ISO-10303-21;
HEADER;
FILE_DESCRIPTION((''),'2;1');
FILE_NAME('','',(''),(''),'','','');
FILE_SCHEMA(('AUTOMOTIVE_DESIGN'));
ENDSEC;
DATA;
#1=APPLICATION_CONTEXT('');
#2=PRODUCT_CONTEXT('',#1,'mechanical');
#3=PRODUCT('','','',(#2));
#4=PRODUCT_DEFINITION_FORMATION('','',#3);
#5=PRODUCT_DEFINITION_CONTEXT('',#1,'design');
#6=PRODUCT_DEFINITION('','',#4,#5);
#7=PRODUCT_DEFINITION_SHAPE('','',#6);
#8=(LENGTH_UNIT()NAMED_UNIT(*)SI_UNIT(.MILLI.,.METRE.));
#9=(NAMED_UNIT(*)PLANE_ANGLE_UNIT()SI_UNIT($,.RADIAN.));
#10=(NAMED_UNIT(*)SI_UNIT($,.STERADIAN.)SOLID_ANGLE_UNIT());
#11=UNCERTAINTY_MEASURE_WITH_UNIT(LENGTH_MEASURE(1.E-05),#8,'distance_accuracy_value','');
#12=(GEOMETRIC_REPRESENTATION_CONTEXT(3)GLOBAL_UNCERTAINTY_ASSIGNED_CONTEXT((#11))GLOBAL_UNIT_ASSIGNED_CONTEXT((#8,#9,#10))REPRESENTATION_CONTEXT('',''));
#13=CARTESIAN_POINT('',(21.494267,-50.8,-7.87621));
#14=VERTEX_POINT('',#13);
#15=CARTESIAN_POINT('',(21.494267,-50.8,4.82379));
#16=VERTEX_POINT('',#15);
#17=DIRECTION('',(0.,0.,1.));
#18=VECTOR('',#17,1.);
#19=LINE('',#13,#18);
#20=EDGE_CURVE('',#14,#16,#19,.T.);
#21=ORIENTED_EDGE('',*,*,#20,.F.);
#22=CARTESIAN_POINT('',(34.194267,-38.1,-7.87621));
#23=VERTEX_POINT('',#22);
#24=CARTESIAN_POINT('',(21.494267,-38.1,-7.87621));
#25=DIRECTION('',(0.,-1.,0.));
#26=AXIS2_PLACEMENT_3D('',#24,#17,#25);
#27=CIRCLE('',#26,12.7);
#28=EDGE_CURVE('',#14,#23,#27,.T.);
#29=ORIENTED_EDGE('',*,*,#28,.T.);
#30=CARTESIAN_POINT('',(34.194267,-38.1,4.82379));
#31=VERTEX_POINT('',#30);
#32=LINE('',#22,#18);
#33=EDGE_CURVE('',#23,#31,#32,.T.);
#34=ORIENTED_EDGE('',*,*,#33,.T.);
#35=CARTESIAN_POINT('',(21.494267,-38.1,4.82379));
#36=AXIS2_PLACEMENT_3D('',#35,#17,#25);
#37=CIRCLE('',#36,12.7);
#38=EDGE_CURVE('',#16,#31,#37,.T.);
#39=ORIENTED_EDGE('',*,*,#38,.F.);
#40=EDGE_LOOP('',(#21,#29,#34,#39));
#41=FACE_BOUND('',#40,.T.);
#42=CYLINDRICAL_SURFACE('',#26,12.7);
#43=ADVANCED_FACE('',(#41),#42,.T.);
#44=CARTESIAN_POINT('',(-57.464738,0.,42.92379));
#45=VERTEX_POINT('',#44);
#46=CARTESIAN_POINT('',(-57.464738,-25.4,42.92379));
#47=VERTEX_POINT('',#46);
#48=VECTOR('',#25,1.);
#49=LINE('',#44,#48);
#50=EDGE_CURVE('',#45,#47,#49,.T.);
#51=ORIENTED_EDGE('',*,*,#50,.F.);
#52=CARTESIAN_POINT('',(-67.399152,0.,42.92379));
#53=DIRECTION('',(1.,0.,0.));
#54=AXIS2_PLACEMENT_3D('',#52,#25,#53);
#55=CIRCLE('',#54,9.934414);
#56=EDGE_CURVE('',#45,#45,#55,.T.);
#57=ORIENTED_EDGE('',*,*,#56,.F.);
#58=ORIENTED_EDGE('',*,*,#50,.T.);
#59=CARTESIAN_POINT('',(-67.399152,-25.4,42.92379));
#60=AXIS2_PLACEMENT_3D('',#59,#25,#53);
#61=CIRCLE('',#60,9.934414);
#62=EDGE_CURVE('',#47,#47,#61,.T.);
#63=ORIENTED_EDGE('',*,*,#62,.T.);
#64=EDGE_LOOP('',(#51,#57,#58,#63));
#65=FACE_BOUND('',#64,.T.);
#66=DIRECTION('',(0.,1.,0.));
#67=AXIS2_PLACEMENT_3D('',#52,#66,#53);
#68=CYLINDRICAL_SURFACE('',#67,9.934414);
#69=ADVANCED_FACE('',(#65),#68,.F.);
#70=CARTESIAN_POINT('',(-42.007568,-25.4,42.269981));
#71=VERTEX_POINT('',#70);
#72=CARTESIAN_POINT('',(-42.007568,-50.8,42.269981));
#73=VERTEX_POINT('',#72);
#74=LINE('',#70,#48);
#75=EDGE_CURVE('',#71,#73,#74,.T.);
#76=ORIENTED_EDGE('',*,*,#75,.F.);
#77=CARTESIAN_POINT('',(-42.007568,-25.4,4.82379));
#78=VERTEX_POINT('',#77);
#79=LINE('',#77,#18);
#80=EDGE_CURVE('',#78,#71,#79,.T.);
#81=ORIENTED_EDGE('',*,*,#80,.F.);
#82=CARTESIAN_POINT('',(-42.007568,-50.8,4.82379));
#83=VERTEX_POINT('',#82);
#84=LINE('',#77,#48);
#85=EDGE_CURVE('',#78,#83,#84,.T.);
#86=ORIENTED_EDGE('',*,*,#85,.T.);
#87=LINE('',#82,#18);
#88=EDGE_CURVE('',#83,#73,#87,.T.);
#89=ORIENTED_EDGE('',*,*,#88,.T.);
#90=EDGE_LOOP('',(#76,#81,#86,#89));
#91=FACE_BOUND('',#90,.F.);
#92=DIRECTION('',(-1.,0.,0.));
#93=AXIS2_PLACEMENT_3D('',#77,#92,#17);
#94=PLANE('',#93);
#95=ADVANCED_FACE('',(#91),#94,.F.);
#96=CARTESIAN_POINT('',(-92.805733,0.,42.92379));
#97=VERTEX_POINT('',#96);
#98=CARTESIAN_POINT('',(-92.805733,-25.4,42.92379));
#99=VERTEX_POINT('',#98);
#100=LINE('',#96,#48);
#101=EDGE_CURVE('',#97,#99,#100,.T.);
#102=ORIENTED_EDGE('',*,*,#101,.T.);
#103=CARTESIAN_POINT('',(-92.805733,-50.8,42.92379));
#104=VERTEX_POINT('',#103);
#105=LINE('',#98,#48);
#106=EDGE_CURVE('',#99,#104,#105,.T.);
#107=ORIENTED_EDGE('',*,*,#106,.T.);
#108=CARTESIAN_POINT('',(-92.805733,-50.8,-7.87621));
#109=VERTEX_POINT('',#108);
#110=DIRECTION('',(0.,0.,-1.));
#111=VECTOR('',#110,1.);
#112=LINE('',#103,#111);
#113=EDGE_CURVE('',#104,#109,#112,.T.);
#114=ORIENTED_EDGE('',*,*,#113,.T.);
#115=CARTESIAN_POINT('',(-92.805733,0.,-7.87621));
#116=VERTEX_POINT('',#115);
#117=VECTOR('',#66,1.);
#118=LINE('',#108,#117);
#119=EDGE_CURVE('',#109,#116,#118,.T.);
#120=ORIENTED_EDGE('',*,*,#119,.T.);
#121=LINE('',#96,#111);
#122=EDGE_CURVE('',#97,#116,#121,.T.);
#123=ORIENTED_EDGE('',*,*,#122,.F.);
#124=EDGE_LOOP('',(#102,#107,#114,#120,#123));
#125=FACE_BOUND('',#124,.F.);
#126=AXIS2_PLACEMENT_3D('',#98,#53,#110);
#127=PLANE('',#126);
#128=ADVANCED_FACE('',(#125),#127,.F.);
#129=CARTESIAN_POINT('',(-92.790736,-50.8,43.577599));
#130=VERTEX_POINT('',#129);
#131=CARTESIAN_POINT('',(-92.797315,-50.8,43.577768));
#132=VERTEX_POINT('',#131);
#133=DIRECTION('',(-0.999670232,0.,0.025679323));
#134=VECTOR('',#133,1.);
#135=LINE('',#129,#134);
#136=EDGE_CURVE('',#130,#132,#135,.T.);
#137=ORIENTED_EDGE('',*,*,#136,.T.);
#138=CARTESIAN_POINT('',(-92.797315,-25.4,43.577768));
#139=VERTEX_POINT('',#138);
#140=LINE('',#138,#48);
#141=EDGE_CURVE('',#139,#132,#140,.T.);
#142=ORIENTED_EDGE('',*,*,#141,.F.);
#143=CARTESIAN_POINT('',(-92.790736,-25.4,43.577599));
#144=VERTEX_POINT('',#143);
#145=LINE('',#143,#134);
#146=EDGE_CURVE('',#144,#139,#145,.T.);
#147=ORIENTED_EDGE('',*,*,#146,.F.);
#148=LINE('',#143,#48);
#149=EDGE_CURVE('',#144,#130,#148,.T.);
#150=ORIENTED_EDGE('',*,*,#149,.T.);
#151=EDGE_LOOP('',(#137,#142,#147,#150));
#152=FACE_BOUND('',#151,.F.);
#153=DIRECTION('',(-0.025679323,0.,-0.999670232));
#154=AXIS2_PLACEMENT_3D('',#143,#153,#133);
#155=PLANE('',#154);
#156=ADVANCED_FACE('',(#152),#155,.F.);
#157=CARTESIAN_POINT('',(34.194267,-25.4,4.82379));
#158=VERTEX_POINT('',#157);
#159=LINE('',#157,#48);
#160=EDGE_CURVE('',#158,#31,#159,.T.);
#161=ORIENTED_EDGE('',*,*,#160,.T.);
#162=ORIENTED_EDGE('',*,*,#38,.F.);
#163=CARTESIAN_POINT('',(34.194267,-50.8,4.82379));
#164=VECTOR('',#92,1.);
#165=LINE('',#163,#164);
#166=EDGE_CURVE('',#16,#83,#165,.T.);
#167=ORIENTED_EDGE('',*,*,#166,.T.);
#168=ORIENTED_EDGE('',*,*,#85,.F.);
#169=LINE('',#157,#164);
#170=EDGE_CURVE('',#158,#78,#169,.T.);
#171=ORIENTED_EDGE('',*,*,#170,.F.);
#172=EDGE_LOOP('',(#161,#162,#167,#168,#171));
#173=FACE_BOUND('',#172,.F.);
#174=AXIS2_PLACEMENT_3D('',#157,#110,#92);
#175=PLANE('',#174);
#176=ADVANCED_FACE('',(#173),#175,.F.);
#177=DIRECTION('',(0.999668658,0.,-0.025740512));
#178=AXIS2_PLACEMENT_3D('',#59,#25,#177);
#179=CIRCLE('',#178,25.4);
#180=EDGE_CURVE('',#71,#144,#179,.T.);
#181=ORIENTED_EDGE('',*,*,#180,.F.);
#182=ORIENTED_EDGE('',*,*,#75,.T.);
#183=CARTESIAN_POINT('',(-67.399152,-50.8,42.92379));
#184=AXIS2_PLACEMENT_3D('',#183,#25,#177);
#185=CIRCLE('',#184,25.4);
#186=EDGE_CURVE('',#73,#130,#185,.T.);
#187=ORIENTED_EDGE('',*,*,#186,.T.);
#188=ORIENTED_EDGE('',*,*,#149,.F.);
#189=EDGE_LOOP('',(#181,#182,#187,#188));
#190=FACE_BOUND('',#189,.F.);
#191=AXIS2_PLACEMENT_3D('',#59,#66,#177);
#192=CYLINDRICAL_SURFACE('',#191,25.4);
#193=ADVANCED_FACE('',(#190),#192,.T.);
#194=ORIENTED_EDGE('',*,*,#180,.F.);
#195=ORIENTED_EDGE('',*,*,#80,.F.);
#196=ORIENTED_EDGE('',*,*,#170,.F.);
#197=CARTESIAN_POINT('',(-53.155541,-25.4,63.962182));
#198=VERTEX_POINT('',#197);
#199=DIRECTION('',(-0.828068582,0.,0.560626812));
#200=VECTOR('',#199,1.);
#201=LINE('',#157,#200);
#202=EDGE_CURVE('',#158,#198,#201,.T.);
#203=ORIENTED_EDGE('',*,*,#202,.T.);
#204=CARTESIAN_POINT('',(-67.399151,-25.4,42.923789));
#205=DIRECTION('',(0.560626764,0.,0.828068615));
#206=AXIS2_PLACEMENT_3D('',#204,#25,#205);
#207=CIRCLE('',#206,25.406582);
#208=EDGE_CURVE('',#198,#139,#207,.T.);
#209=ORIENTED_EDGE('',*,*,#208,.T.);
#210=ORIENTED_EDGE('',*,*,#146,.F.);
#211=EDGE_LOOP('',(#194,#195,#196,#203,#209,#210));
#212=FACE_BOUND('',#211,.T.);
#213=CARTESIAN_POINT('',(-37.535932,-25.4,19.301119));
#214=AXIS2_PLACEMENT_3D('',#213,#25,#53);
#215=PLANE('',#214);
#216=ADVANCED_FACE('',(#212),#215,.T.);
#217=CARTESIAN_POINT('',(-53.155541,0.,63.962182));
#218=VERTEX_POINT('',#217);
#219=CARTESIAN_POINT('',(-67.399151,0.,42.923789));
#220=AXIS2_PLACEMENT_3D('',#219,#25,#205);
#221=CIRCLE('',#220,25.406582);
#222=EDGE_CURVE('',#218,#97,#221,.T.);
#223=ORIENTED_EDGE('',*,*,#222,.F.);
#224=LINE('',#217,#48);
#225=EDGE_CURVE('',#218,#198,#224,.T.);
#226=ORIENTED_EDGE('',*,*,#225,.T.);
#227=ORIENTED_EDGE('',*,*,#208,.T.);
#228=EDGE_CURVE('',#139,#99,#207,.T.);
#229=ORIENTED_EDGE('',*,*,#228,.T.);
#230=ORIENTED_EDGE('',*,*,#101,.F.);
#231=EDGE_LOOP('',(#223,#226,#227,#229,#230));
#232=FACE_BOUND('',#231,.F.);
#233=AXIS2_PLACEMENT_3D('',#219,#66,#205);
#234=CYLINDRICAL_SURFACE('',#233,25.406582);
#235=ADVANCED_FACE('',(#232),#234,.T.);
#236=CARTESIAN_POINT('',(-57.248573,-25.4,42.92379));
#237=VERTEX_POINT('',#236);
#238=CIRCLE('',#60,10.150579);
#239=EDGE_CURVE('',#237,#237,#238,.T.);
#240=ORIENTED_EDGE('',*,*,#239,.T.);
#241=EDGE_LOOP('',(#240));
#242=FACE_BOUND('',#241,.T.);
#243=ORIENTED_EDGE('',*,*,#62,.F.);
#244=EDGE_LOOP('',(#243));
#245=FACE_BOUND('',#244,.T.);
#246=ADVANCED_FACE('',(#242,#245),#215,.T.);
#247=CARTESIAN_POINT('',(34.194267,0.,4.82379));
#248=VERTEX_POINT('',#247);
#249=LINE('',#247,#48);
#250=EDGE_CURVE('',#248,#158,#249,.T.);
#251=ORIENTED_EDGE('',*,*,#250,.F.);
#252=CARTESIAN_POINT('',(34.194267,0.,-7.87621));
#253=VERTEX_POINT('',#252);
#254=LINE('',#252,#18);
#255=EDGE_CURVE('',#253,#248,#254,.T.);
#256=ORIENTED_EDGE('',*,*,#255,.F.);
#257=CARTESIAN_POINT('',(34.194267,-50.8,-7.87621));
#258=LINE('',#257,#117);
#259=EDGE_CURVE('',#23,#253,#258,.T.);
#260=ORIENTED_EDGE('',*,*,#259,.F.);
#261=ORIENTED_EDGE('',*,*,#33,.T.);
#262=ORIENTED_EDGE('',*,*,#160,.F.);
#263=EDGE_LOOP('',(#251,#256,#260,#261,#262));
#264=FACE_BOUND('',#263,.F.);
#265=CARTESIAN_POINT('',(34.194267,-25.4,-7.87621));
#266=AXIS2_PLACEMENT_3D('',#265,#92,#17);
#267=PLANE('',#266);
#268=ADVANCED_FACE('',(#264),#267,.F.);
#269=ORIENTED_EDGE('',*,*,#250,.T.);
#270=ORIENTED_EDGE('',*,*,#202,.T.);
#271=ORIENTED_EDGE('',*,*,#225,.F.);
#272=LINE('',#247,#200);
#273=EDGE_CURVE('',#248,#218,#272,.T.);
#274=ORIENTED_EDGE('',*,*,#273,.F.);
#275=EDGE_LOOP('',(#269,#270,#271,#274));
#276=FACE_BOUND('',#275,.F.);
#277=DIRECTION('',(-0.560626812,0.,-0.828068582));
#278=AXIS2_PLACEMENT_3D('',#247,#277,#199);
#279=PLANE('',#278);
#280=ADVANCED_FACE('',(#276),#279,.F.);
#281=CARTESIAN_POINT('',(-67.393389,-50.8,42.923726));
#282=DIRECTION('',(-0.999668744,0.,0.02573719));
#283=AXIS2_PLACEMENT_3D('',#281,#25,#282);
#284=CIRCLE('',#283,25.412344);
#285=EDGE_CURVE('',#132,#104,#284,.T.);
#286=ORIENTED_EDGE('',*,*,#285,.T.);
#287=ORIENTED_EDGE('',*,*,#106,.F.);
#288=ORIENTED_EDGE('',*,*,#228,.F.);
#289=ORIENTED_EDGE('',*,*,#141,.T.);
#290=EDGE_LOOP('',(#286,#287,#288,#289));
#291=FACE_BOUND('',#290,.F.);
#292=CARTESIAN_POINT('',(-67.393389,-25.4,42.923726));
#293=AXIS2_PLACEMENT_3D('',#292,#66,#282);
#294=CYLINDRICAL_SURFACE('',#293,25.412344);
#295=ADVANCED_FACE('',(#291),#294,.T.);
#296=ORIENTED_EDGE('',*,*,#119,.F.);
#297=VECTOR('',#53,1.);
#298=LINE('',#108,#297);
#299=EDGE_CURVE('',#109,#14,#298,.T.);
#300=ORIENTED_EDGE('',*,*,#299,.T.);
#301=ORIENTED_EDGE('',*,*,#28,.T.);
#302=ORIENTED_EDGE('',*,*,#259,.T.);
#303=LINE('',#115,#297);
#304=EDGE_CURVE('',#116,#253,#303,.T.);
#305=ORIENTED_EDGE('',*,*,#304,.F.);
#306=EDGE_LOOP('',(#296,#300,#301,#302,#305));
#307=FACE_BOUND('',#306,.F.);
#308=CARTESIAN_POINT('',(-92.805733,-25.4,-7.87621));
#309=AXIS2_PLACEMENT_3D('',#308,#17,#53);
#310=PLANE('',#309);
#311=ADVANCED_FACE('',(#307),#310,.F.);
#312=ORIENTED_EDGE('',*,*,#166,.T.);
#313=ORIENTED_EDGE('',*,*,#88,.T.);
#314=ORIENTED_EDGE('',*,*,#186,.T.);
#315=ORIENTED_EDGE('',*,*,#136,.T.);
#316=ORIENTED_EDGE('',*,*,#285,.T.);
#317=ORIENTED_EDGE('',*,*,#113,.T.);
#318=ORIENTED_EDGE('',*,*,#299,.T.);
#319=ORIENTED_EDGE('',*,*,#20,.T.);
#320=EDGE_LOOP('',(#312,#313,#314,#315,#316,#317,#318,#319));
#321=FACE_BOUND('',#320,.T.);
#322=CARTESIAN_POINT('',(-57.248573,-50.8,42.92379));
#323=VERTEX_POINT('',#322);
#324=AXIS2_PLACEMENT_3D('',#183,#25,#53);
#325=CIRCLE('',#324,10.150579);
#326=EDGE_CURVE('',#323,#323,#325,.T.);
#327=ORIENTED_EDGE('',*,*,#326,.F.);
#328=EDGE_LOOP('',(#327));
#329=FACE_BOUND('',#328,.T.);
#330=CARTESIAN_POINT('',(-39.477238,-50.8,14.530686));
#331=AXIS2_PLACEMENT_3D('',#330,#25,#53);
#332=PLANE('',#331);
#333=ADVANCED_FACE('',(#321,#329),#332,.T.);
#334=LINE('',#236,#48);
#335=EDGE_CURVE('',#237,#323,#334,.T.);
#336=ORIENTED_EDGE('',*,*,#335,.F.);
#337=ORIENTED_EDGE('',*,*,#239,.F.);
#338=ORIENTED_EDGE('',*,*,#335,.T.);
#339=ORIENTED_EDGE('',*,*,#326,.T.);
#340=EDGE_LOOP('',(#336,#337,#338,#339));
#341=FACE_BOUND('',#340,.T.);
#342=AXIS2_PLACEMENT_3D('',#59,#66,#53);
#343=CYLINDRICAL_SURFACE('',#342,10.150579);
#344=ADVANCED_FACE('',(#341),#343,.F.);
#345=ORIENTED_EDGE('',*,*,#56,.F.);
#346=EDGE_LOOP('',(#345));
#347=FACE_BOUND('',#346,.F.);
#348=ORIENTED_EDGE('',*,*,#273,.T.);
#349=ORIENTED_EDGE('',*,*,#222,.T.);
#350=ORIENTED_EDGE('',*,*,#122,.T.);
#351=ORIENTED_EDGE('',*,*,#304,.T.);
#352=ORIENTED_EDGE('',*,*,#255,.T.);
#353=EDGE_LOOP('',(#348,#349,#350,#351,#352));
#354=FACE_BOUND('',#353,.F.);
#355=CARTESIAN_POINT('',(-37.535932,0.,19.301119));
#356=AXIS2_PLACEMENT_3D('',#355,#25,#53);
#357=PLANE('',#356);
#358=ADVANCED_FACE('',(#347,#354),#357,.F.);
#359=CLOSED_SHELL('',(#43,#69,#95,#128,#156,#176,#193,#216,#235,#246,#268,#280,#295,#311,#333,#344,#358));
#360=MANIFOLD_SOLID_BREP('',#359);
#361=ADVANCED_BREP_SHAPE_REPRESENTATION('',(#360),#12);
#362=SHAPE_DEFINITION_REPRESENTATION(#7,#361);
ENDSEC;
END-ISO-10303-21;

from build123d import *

# Parameters (mm, degrees)
F0_R     = 9.934414
F1_DEPTH = 25.4
F2_R     = 10.150579
F3_DEPTH = 25.4
F4_R     = 12.7


with BuildPart() as f1:
    # F0 (on Front) → F1 (new body)
    with BuildSketch(Plane.XZ):
        with BuildLine():
            Line((34.194267, 4.82379), (-53.155541, 63.962182))
            ThreePointArc((-53.155541, 63.962182), (-79.307403, 65.366782), (-92.805733, 42.92379))
            Line((-92.805733, 42.92379), (-92.805733, -7.87621))
            Line((-92.805733, -7.87621), (34.194267, -7.87621))
            Line((34.194267, -7.87621), (34.194267, 4.82379))
        make_face()
        with Locations((-67.399152, 42.92379)):
            Circle(F0_R, mode=Mode.SUBTRACT)
    extrude(amount=F1_DEPTH)

    # F2 (on face) → F3 (join)
    with BuildSketch(Plane.XZ.offset(25.4)):
        with BuildLine():
            Line((-42.007568, 4.82379), (-42.007568, 42.269981))
            ThreePointArc((-42.007568, 42.269981), (-66.745343, 68.315374), (-92.790736, 43.577599))
            Line((-92.790736, 43.577599), (-92.797315, 43.577768))
            ThreePointArc((-92.797315, 43.577768), (-92.803628, 43.250806), (-92.805733, 42.92379))
            Line((-92.805733, 42.92379), (-92.805733, 4.82379))
            Line((-92.805733, 4.82379), (-92.805733, -7.87621))
            Line((-92.805733, -7.87621), (34.194267, -7.87621))
            Line((34.194267, -7.87621), (34.194267, 4.82379))
            Line((34.194267, 4.82379), (-42.007568, 4.82379))
        make_face()
        with Locations((-67.399152, 42.92379)):
            Circle(F2_R, mode=Mode.SUBTRACT)
    extrude(amount=F3_DEPTH)

    # F4
    f4_edges = [f1.edges().sort_by_distance(p)[0] for p in [
        (34.194267, -50.8, -1.52621),
    ]]
    fillet(f4_edges, radius=F4_R)


solid = f1.part
